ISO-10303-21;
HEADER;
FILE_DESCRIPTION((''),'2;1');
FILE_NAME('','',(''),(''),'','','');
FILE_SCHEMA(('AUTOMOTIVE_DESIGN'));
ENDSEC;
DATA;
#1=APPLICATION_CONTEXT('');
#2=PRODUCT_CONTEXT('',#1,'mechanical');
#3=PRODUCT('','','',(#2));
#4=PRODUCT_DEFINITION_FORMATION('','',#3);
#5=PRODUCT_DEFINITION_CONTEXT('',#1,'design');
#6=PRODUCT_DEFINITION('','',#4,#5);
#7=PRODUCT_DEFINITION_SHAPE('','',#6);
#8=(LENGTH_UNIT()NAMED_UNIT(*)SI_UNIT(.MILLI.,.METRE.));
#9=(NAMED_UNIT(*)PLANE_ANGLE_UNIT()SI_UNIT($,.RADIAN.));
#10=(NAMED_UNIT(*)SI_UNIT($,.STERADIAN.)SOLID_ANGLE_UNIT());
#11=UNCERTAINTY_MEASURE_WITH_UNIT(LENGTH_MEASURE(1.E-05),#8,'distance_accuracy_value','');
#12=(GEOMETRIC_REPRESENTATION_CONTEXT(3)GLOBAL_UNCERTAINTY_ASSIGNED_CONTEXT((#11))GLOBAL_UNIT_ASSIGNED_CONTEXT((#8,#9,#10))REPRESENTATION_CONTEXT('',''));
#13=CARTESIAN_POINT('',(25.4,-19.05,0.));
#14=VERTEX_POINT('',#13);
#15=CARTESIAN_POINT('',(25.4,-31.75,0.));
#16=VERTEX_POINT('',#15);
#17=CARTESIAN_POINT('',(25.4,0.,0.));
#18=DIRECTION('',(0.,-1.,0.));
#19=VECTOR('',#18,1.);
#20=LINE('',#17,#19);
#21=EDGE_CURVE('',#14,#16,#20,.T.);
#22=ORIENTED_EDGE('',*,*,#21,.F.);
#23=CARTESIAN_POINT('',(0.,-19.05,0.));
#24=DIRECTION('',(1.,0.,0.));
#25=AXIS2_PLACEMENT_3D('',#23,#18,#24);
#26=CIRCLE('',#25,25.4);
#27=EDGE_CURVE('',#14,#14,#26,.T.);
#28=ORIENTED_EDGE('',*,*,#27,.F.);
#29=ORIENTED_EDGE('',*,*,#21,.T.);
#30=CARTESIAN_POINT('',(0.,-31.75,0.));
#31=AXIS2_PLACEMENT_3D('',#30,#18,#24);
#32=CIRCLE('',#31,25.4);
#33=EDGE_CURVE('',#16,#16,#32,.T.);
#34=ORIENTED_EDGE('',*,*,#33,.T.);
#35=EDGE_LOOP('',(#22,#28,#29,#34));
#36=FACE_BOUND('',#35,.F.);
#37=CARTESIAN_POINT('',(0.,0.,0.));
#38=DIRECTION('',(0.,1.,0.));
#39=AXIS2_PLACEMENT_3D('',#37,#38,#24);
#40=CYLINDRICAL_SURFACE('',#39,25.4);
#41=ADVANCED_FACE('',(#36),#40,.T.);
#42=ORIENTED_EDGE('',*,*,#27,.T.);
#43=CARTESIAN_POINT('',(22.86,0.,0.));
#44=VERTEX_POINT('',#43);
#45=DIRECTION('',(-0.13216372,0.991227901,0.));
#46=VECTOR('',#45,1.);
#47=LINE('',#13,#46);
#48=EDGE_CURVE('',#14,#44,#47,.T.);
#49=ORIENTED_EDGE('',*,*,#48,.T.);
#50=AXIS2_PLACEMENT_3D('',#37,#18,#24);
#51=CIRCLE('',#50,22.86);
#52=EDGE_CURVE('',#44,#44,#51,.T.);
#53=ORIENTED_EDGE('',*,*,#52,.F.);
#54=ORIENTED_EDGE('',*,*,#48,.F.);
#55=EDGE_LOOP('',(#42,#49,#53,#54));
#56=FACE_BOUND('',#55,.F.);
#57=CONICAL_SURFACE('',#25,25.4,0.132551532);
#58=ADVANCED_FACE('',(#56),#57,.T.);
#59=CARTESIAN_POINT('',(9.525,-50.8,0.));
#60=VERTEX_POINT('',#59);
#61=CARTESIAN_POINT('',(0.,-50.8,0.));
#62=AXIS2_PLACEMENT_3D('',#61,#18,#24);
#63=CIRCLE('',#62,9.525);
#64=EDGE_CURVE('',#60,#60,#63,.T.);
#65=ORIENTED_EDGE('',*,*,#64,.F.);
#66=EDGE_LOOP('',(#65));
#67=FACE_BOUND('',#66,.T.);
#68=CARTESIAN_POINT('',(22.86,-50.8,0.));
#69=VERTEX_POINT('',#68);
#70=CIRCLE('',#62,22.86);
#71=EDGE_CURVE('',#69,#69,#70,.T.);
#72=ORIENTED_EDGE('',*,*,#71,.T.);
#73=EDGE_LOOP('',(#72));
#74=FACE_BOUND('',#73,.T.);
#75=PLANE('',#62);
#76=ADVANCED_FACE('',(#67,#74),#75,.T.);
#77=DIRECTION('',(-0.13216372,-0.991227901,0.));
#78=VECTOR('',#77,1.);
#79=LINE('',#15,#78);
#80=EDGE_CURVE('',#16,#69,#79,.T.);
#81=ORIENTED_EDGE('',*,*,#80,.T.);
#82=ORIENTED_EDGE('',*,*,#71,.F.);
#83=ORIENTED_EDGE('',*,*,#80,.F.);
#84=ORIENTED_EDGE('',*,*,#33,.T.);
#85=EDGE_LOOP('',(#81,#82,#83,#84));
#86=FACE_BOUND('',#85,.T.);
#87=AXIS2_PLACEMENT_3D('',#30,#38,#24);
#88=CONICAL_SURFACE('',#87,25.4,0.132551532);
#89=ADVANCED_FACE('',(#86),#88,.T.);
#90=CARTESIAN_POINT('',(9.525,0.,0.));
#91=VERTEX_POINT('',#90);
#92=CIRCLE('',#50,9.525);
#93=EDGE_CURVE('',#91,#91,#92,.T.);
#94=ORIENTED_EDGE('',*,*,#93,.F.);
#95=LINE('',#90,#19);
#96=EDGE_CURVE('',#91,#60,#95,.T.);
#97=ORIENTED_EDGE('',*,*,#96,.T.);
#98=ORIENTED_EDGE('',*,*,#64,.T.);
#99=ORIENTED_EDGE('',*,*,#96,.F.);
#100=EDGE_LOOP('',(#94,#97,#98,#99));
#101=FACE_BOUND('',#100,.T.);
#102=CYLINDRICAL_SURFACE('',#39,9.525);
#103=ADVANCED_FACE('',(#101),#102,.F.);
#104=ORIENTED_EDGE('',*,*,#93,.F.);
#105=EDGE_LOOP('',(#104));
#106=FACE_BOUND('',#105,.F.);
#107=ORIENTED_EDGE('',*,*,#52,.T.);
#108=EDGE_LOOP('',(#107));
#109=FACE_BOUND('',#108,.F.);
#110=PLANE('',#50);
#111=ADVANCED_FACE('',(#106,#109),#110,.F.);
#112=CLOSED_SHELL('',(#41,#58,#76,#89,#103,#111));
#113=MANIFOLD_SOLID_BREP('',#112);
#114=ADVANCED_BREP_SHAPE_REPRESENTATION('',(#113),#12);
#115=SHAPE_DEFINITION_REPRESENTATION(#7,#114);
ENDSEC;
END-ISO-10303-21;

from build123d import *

# Parameters (mm, degrees)
F0_R     = 25.4
F0_R_2   = 9.525
F1_DEPTH = 50.8
F2_SIZE2 = 2.54
F2_SIZE  = 19.05


with BuildPart() as f1:
    # F0 (on Front) → F1 (new body)
    with BuildSketch(Plane.XZ):
        Circle(F0_R)
        Circle(F0_R_2, mode=Mode.SUBTRACT)
    extrude(amount=F1_DEPTH)

    # F2
    f2_edges = [f1.edges().sort_by_distance(p)[0] for p in [
        (25.4, -25.4, 0),
        (-25.4, 0, 0),
        (-25.4, -50.8, 0),
    ]]
    chamfer(f2_edges, length=F2_SIZE, length2=F2_SIZE2)


solid = f1.part
